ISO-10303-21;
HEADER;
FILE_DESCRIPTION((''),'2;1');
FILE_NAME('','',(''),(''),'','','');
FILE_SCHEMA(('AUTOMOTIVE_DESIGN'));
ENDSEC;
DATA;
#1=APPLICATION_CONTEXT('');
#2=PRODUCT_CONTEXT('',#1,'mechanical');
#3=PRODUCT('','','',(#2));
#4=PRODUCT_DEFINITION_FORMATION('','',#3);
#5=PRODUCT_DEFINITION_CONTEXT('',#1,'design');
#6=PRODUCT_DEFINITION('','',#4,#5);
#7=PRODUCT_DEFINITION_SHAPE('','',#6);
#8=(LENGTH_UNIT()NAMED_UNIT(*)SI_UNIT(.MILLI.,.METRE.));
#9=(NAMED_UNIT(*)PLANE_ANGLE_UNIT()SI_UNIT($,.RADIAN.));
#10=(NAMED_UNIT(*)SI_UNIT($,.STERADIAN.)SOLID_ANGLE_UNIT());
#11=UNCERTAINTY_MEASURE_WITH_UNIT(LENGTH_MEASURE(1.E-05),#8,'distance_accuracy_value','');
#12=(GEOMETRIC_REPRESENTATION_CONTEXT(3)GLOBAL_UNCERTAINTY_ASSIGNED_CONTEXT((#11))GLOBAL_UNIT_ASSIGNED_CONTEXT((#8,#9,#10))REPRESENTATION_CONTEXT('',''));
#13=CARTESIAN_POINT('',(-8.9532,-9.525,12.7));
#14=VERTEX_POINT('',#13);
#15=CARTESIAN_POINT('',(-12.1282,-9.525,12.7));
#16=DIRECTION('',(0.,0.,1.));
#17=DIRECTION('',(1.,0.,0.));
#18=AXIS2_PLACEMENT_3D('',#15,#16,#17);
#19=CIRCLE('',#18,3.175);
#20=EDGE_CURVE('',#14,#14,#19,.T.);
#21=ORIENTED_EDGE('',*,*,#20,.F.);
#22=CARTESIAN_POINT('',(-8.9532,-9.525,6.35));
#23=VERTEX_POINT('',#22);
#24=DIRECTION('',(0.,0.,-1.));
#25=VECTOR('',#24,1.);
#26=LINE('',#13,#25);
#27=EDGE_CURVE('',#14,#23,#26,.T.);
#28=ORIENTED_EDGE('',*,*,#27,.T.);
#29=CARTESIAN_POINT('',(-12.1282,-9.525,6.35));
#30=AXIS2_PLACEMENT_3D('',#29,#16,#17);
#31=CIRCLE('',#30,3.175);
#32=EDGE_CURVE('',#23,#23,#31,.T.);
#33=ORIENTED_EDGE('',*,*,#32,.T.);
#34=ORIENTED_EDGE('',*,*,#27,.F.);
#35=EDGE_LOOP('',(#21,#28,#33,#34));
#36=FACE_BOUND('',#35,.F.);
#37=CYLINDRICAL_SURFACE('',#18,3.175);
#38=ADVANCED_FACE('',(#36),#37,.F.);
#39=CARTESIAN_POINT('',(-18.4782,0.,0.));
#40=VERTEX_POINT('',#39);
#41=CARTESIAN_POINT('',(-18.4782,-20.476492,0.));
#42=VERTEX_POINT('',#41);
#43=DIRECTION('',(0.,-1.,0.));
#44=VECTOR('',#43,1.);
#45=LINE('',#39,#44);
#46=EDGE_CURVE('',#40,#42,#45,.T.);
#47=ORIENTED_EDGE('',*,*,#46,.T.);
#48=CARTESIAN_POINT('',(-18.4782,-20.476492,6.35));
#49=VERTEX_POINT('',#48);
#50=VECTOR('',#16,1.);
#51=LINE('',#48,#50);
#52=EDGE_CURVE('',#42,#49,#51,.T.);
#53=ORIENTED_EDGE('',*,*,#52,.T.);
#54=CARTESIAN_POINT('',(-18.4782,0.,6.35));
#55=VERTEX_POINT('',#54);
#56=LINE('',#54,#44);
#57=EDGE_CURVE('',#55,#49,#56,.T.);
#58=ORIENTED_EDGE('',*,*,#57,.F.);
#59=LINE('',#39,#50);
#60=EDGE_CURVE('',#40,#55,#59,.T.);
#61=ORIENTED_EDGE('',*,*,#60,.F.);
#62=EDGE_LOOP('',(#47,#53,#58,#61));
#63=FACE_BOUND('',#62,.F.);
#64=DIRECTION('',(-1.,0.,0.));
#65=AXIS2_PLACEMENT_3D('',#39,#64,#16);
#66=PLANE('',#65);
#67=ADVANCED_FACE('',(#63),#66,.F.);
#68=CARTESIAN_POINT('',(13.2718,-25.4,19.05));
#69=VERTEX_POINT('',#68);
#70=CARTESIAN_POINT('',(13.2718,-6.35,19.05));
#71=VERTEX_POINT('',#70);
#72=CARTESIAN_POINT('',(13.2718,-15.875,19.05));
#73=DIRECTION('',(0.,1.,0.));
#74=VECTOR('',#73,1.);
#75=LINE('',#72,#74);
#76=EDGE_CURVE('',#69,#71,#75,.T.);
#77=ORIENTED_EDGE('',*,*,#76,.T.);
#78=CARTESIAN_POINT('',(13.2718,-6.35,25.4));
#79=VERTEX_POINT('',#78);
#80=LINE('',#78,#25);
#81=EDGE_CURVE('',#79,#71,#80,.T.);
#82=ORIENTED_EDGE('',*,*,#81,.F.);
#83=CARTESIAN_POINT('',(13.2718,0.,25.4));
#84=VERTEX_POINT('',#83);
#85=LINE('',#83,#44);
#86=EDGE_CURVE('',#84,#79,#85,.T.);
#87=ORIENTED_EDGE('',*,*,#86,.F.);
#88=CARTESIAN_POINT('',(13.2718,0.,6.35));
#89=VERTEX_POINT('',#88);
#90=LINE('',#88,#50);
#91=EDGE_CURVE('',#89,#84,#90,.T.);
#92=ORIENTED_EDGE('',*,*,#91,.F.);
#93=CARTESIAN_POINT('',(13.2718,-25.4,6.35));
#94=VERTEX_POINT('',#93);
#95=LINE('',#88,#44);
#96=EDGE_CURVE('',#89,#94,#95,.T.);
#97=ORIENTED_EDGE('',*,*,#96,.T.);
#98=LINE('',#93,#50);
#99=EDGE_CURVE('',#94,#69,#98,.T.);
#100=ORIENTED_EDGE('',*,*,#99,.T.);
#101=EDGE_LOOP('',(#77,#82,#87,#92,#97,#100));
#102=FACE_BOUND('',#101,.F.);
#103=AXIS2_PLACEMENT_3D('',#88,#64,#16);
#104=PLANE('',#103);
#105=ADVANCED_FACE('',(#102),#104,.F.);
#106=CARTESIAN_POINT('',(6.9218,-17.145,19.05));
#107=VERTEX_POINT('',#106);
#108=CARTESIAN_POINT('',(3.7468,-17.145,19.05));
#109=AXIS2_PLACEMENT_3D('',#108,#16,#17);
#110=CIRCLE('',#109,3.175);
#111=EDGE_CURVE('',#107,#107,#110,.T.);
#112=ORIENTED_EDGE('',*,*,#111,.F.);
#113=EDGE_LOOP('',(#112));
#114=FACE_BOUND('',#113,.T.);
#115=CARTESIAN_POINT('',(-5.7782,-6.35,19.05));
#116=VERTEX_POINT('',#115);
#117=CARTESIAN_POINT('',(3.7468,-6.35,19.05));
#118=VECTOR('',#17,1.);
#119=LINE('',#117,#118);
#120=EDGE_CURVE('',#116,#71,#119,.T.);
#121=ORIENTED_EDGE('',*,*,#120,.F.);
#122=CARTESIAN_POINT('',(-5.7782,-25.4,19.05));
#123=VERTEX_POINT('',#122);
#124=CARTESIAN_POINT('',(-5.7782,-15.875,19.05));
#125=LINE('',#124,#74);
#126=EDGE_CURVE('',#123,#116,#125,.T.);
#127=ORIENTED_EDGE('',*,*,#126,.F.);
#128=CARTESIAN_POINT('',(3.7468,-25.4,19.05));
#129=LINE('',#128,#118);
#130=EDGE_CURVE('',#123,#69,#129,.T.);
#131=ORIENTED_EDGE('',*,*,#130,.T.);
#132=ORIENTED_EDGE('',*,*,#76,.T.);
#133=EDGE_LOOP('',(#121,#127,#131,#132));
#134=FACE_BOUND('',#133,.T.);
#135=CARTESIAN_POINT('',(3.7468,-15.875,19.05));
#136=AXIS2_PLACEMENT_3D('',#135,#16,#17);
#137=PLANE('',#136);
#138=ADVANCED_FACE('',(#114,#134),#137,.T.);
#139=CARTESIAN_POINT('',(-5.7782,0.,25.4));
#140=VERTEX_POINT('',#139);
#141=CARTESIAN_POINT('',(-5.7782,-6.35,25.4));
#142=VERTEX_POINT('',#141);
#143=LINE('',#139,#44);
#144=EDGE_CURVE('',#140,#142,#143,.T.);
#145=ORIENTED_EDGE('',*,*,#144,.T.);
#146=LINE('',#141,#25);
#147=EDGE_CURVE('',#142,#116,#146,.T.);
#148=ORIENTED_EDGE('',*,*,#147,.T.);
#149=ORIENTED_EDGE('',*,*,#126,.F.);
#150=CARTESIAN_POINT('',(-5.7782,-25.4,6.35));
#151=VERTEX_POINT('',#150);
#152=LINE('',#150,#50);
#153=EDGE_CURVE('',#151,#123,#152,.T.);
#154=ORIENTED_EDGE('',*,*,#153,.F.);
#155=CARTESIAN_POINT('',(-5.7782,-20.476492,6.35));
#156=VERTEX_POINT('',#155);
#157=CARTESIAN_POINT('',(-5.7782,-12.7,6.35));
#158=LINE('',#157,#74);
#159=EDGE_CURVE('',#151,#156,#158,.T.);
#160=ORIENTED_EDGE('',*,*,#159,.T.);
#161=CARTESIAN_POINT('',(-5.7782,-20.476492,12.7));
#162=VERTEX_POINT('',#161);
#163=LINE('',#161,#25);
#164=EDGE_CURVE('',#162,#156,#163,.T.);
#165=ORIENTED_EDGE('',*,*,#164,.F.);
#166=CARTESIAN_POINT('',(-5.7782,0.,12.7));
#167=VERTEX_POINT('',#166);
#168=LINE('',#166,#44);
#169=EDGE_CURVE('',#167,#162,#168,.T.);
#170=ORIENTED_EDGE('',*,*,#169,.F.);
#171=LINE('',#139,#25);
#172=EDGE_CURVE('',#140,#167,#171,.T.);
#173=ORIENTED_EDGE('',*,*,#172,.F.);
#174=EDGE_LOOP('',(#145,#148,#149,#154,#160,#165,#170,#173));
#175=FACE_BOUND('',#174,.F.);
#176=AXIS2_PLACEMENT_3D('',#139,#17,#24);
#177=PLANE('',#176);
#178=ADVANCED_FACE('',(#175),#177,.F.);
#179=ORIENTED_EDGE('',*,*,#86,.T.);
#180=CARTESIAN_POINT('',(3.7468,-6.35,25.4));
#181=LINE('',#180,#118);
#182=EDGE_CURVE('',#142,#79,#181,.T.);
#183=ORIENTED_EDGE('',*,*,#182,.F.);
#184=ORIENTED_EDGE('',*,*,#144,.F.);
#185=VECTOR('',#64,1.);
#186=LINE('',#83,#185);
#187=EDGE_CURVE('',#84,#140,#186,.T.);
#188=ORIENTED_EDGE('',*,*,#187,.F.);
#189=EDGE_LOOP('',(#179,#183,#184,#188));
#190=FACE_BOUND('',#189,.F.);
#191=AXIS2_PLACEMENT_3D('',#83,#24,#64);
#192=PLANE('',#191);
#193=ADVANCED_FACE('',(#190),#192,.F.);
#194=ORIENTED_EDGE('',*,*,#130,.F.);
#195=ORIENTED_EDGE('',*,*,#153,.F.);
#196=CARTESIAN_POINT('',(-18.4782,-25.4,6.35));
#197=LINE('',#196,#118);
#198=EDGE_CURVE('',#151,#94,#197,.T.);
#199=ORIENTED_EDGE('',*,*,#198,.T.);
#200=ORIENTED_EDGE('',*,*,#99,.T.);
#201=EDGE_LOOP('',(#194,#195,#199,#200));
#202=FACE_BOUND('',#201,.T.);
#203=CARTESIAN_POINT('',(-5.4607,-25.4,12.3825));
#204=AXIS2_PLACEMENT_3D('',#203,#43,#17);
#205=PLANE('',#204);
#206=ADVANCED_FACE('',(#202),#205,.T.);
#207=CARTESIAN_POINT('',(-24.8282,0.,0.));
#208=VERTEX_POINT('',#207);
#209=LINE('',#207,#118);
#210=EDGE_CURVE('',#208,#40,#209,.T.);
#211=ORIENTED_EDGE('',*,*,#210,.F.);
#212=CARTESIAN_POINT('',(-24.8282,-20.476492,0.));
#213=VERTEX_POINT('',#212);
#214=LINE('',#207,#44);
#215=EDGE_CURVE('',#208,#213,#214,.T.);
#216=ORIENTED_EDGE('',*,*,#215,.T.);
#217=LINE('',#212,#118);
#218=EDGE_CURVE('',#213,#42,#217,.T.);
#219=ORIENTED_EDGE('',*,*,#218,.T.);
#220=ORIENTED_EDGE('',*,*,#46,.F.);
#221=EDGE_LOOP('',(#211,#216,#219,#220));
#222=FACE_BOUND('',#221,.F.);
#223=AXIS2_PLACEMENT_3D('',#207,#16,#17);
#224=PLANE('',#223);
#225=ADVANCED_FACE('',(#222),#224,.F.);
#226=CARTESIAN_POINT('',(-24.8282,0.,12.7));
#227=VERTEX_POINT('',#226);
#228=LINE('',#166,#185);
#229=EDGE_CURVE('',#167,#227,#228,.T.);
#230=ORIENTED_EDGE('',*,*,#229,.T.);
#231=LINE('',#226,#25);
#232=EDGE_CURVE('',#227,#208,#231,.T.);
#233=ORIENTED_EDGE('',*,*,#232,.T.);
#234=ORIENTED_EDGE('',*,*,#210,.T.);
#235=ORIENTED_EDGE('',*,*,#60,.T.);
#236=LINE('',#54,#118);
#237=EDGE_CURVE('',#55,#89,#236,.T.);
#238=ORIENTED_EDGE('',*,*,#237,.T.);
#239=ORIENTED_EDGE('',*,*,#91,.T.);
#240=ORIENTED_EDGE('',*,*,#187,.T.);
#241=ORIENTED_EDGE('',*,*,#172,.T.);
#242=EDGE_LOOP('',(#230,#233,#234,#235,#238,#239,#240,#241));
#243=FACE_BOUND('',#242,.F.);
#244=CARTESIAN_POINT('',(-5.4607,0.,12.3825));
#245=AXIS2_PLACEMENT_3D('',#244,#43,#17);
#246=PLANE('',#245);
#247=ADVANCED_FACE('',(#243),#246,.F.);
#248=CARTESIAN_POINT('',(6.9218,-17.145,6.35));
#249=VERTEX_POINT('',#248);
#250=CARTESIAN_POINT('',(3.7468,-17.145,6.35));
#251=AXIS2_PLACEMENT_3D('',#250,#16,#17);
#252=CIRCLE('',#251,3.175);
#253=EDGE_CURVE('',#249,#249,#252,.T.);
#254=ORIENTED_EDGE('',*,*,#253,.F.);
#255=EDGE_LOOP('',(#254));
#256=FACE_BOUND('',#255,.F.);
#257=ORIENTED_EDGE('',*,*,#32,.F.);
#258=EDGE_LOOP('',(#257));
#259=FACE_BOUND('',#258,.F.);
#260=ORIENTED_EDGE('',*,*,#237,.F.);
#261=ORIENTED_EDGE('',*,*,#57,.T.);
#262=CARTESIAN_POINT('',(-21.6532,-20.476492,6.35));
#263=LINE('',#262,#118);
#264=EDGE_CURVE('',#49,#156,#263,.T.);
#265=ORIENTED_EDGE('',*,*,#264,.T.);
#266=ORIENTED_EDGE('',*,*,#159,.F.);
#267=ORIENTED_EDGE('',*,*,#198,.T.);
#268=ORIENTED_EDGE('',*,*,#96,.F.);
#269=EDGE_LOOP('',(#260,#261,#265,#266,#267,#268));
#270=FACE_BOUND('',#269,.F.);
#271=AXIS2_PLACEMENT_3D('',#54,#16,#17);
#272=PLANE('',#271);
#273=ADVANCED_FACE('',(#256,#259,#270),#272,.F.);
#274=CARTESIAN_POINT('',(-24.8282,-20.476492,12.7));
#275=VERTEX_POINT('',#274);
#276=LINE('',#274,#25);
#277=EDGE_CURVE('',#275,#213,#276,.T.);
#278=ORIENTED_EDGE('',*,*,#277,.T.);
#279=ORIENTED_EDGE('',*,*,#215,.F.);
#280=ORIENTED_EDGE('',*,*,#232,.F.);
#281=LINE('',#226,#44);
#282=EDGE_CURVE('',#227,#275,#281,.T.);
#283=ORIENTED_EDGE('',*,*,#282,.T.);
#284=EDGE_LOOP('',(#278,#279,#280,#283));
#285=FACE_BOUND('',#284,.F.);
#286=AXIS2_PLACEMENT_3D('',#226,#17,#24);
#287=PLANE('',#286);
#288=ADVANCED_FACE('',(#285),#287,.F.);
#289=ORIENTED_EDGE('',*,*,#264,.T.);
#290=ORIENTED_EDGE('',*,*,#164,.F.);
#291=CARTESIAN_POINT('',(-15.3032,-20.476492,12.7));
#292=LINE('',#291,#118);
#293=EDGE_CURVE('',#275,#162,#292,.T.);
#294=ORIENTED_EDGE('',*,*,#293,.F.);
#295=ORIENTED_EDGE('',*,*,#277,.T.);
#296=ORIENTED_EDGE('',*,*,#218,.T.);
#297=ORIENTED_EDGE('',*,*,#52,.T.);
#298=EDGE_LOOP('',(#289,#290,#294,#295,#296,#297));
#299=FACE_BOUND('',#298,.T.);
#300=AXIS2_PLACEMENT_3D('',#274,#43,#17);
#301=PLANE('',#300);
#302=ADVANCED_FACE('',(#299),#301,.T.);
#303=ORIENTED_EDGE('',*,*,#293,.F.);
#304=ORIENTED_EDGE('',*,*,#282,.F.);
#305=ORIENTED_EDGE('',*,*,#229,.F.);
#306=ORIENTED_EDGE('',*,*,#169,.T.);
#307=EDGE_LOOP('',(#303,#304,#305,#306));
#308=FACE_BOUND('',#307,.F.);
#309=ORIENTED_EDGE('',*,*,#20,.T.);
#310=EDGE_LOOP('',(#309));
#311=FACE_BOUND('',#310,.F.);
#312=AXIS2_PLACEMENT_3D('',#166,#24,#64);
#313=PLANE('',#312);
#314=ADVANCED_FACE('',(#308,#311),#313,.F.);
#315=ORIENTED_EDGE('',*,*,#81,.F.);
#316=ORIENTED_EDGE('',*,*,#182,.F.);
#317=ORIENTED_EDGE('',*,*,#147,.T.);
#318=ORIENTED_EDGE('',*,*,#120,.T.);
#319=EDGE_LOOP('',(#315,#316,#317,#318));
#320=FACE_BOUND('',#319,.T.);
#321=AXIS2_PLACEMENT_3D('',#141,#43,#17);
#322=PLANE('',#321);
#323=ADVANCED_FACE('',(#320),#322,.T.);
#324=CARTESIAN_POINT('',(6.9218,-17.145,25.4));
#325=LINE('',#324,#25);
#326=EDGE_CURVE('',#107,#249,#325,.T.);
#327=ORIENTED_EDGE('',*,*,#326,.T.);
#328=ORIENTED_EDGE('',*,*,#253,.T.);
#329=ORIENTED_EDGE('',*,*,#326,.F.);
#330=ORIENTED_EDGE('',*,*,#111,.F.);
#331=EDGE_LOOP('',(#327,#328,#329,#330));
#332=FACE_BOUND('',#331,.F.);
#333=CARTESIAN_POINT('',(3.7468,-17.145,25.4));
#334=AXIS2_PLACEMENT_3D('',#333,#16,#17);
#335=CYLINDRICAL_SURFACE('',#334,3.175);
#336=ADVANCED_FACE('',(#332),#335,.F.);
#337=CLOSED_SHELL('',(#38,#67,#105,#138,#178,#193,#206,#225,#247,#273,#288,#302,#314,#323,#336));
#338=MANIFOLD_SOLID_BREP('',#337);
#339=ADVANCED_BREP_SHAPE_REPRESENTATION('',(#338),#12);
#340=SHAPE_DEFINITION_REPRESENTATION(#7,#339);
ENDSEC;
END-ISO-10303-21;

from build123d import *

# Parameters (mm, degrees)
F1_DEPTH = 25.4
F2_W     = 19.05
F2_H     = 4.923508
F3_DEPTH = 25.4
F4_R     = 3.175
F5_DEPTH = 12.701
F6_R     = 3.175
F7_DEPTH = 25.4
F8_W     = 19.05
F8_H     = 19.05
F9_DEPTH = 6.35


with BuildPart() as f1:
    # F0 (on Front) → F1 (new body)
    with BuildSketch(Plane.XZ):
        Polygon((-24.8282, 12.7), (-24.8282, 0), (-18.4782, 0), (-18.4782, 6.35), (13.2718, 6.35), (13.2718, 25.4), (-5.7782, 25.4), (-5.7782, 12.7), align=None)
    extrude(amount=F1_DEPTH)

    # F2 (on face) → F3 (cut)
    with BuildSketch(Plane.XY.offset(12.7)):
        with Locations((-15.3032, -22.938246)):
            Rectangle(F2_W, F2_H)
    extrude(amount=-F3_DEPTH, mode=Mode.SUBTRACT)

    # F4 (on face) → F5 (cut, through all)
    with BuildSketch(Plane.XY.offset(12.7)):
        with Locations((-12.1282, -9.525)):
            Circle(F4_R)
    extrude(amount=-F5_DEPTH, mode=Mode.SUBTRACT)

    # F6 (on face) → F7 (cut)
    with BuildSketch(Plane.XY.offset(25.4)):
        with Locations((3.7468, -17.145)):
            Circle(F6_R)
    extrude(amount=-F7_DEPTH, mode=Mode.SUBTRACT)

    # F8 (on face) → F9 (cut)
    with BuildSketch(Plane.XY.offset(25.4)):
        with Locations((3.7468, -15.875)):
            Rectangle(F8_W, F8_H)
    extrude(amount=-F9_DEPTH, mode=Mode.SUBTRACT)


solid = f1.part
